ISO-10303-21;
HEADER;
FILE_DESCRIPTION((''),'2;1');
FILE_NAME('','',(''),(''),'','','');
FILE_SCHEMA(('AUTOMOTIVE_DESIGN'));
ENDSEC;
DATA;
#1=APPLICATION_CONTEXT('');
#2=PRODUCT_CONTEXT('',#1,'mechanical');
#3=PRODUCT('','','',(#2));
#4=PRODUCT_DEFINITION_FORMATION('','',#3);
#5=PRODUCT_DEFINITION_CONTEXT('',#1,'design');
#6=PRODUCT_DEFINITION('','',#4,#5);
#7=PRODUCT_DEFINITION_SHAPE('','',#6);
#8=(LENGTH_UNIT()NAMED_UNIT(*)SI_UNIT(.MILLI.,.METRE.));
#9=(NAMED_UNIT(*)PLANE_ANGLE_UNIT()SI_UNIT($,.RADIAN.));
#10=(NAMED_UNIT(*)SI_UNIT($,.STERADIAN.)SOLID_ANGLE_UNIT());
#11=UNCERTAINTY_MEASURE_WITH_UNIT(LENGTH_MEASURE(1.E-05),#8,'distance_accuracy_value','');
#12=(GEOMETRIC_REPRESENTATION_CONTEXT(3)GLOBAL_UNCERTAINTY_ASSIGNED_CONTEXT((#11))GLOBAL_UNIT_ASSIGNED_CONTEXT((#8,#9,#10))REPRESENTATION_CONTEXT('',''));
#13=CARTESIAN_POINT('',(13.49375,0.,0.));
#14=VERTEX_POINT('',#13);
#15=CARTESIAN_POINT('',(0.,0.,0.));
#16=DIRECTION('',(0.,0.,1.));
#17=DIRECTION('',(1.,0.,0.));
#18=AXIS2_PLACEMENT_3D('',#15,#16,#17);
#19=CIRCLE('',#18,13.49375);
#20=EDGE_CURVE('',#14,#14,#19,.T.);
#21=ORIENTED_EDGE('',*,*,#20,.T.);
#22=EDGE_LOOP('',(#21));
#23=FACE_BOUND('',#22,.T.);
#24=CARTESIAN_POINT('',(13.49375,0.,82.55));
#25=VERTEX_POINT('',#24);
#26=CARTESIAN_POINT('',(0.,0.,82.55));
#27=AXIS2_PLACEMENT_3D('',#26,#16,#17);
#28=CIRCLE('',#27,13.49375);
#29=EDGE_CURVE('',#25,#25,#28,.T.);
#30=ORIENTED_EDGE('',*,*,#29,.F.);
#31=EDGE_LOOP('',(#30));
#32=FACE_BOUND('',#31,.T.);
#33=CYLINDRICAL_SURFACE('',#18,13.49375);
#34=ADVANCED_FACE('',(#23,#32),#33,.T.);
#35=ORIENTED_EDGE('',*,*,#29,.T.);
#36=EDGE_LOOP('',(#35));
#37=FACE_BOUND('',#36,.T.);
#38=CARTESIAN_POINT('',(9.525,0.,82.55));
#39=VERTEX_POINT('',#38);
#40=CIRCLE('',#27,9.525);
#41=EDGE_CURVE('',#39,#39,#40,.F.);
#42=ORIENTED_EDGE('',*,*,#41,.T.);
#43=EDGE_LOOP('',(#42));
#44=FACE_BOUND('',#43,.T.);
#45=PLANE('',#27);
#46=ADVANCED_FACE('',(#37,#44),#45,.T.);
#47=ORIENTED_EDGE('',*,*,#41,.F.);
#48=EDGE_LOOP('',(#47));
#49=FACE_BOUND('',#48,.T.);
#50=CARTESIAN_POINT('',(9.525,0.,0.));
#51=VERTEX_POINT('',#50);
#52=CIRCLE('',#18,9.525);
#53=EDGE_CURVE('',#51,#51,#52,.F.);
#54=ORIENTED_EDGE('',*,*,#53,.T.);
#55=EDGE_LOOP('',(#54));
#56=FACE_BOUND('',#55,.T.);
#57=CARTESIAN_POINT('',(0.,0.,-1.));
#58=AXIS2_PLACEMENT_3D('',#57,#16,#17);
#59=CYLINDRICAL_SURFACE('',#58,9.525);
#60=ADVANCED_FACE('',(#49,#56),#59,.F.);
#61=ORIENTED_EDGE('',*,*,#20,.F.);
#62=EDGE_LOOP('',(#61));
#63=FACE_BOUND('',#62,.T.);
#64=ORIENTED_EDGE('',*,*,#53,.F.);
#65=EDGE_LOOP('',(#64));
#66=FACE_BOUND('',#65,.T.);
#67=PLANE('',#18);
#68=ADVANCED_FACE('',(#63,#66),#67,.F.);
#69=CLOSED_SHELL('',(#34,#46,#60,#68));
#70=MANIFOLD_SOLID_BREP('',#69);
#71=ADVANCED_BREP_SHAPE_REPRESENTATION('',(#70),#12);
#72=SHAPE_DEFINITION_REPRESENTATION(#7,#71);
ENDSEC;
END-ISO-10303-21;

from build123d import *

# Parameters (mm, degrees)
SWEEP1_PROFILE_R     = 13.49375
CUT_SWEEP1_PROFILE_R = 9.525


with BuildPart() as part:
    # Sweep1: sweep along a curve in space
    with BuildLine() as sweep1_path:
        Line((0, 0, 0), (0, 0, 82.55))
    # Sweep1 profile (on start of the path) → Sweep1 (sweep)
    with BuildSketch(Plane.XY):
        Circle(SWEEP1_PROFILE_R)
    sweep(path=sweep1_path.line)

    # Cut-Sweep1: sweep along a curve in space
    with BuildLine() as cut_sweep1_path:
        Line((0, 0, 0), (0, 0, 82.55))
    # Cut-Sweep1 profile (on start of the path) → Cut-Sweep1 (sweep, cut)
    with BuildSketch(Plane.XY):
        Circle(CUT_SWEEP1_PROFILE_R)
    sweep(path=cut_sweep1_path.line, mode=Mode.SUBTRACT)


solid = part.part
